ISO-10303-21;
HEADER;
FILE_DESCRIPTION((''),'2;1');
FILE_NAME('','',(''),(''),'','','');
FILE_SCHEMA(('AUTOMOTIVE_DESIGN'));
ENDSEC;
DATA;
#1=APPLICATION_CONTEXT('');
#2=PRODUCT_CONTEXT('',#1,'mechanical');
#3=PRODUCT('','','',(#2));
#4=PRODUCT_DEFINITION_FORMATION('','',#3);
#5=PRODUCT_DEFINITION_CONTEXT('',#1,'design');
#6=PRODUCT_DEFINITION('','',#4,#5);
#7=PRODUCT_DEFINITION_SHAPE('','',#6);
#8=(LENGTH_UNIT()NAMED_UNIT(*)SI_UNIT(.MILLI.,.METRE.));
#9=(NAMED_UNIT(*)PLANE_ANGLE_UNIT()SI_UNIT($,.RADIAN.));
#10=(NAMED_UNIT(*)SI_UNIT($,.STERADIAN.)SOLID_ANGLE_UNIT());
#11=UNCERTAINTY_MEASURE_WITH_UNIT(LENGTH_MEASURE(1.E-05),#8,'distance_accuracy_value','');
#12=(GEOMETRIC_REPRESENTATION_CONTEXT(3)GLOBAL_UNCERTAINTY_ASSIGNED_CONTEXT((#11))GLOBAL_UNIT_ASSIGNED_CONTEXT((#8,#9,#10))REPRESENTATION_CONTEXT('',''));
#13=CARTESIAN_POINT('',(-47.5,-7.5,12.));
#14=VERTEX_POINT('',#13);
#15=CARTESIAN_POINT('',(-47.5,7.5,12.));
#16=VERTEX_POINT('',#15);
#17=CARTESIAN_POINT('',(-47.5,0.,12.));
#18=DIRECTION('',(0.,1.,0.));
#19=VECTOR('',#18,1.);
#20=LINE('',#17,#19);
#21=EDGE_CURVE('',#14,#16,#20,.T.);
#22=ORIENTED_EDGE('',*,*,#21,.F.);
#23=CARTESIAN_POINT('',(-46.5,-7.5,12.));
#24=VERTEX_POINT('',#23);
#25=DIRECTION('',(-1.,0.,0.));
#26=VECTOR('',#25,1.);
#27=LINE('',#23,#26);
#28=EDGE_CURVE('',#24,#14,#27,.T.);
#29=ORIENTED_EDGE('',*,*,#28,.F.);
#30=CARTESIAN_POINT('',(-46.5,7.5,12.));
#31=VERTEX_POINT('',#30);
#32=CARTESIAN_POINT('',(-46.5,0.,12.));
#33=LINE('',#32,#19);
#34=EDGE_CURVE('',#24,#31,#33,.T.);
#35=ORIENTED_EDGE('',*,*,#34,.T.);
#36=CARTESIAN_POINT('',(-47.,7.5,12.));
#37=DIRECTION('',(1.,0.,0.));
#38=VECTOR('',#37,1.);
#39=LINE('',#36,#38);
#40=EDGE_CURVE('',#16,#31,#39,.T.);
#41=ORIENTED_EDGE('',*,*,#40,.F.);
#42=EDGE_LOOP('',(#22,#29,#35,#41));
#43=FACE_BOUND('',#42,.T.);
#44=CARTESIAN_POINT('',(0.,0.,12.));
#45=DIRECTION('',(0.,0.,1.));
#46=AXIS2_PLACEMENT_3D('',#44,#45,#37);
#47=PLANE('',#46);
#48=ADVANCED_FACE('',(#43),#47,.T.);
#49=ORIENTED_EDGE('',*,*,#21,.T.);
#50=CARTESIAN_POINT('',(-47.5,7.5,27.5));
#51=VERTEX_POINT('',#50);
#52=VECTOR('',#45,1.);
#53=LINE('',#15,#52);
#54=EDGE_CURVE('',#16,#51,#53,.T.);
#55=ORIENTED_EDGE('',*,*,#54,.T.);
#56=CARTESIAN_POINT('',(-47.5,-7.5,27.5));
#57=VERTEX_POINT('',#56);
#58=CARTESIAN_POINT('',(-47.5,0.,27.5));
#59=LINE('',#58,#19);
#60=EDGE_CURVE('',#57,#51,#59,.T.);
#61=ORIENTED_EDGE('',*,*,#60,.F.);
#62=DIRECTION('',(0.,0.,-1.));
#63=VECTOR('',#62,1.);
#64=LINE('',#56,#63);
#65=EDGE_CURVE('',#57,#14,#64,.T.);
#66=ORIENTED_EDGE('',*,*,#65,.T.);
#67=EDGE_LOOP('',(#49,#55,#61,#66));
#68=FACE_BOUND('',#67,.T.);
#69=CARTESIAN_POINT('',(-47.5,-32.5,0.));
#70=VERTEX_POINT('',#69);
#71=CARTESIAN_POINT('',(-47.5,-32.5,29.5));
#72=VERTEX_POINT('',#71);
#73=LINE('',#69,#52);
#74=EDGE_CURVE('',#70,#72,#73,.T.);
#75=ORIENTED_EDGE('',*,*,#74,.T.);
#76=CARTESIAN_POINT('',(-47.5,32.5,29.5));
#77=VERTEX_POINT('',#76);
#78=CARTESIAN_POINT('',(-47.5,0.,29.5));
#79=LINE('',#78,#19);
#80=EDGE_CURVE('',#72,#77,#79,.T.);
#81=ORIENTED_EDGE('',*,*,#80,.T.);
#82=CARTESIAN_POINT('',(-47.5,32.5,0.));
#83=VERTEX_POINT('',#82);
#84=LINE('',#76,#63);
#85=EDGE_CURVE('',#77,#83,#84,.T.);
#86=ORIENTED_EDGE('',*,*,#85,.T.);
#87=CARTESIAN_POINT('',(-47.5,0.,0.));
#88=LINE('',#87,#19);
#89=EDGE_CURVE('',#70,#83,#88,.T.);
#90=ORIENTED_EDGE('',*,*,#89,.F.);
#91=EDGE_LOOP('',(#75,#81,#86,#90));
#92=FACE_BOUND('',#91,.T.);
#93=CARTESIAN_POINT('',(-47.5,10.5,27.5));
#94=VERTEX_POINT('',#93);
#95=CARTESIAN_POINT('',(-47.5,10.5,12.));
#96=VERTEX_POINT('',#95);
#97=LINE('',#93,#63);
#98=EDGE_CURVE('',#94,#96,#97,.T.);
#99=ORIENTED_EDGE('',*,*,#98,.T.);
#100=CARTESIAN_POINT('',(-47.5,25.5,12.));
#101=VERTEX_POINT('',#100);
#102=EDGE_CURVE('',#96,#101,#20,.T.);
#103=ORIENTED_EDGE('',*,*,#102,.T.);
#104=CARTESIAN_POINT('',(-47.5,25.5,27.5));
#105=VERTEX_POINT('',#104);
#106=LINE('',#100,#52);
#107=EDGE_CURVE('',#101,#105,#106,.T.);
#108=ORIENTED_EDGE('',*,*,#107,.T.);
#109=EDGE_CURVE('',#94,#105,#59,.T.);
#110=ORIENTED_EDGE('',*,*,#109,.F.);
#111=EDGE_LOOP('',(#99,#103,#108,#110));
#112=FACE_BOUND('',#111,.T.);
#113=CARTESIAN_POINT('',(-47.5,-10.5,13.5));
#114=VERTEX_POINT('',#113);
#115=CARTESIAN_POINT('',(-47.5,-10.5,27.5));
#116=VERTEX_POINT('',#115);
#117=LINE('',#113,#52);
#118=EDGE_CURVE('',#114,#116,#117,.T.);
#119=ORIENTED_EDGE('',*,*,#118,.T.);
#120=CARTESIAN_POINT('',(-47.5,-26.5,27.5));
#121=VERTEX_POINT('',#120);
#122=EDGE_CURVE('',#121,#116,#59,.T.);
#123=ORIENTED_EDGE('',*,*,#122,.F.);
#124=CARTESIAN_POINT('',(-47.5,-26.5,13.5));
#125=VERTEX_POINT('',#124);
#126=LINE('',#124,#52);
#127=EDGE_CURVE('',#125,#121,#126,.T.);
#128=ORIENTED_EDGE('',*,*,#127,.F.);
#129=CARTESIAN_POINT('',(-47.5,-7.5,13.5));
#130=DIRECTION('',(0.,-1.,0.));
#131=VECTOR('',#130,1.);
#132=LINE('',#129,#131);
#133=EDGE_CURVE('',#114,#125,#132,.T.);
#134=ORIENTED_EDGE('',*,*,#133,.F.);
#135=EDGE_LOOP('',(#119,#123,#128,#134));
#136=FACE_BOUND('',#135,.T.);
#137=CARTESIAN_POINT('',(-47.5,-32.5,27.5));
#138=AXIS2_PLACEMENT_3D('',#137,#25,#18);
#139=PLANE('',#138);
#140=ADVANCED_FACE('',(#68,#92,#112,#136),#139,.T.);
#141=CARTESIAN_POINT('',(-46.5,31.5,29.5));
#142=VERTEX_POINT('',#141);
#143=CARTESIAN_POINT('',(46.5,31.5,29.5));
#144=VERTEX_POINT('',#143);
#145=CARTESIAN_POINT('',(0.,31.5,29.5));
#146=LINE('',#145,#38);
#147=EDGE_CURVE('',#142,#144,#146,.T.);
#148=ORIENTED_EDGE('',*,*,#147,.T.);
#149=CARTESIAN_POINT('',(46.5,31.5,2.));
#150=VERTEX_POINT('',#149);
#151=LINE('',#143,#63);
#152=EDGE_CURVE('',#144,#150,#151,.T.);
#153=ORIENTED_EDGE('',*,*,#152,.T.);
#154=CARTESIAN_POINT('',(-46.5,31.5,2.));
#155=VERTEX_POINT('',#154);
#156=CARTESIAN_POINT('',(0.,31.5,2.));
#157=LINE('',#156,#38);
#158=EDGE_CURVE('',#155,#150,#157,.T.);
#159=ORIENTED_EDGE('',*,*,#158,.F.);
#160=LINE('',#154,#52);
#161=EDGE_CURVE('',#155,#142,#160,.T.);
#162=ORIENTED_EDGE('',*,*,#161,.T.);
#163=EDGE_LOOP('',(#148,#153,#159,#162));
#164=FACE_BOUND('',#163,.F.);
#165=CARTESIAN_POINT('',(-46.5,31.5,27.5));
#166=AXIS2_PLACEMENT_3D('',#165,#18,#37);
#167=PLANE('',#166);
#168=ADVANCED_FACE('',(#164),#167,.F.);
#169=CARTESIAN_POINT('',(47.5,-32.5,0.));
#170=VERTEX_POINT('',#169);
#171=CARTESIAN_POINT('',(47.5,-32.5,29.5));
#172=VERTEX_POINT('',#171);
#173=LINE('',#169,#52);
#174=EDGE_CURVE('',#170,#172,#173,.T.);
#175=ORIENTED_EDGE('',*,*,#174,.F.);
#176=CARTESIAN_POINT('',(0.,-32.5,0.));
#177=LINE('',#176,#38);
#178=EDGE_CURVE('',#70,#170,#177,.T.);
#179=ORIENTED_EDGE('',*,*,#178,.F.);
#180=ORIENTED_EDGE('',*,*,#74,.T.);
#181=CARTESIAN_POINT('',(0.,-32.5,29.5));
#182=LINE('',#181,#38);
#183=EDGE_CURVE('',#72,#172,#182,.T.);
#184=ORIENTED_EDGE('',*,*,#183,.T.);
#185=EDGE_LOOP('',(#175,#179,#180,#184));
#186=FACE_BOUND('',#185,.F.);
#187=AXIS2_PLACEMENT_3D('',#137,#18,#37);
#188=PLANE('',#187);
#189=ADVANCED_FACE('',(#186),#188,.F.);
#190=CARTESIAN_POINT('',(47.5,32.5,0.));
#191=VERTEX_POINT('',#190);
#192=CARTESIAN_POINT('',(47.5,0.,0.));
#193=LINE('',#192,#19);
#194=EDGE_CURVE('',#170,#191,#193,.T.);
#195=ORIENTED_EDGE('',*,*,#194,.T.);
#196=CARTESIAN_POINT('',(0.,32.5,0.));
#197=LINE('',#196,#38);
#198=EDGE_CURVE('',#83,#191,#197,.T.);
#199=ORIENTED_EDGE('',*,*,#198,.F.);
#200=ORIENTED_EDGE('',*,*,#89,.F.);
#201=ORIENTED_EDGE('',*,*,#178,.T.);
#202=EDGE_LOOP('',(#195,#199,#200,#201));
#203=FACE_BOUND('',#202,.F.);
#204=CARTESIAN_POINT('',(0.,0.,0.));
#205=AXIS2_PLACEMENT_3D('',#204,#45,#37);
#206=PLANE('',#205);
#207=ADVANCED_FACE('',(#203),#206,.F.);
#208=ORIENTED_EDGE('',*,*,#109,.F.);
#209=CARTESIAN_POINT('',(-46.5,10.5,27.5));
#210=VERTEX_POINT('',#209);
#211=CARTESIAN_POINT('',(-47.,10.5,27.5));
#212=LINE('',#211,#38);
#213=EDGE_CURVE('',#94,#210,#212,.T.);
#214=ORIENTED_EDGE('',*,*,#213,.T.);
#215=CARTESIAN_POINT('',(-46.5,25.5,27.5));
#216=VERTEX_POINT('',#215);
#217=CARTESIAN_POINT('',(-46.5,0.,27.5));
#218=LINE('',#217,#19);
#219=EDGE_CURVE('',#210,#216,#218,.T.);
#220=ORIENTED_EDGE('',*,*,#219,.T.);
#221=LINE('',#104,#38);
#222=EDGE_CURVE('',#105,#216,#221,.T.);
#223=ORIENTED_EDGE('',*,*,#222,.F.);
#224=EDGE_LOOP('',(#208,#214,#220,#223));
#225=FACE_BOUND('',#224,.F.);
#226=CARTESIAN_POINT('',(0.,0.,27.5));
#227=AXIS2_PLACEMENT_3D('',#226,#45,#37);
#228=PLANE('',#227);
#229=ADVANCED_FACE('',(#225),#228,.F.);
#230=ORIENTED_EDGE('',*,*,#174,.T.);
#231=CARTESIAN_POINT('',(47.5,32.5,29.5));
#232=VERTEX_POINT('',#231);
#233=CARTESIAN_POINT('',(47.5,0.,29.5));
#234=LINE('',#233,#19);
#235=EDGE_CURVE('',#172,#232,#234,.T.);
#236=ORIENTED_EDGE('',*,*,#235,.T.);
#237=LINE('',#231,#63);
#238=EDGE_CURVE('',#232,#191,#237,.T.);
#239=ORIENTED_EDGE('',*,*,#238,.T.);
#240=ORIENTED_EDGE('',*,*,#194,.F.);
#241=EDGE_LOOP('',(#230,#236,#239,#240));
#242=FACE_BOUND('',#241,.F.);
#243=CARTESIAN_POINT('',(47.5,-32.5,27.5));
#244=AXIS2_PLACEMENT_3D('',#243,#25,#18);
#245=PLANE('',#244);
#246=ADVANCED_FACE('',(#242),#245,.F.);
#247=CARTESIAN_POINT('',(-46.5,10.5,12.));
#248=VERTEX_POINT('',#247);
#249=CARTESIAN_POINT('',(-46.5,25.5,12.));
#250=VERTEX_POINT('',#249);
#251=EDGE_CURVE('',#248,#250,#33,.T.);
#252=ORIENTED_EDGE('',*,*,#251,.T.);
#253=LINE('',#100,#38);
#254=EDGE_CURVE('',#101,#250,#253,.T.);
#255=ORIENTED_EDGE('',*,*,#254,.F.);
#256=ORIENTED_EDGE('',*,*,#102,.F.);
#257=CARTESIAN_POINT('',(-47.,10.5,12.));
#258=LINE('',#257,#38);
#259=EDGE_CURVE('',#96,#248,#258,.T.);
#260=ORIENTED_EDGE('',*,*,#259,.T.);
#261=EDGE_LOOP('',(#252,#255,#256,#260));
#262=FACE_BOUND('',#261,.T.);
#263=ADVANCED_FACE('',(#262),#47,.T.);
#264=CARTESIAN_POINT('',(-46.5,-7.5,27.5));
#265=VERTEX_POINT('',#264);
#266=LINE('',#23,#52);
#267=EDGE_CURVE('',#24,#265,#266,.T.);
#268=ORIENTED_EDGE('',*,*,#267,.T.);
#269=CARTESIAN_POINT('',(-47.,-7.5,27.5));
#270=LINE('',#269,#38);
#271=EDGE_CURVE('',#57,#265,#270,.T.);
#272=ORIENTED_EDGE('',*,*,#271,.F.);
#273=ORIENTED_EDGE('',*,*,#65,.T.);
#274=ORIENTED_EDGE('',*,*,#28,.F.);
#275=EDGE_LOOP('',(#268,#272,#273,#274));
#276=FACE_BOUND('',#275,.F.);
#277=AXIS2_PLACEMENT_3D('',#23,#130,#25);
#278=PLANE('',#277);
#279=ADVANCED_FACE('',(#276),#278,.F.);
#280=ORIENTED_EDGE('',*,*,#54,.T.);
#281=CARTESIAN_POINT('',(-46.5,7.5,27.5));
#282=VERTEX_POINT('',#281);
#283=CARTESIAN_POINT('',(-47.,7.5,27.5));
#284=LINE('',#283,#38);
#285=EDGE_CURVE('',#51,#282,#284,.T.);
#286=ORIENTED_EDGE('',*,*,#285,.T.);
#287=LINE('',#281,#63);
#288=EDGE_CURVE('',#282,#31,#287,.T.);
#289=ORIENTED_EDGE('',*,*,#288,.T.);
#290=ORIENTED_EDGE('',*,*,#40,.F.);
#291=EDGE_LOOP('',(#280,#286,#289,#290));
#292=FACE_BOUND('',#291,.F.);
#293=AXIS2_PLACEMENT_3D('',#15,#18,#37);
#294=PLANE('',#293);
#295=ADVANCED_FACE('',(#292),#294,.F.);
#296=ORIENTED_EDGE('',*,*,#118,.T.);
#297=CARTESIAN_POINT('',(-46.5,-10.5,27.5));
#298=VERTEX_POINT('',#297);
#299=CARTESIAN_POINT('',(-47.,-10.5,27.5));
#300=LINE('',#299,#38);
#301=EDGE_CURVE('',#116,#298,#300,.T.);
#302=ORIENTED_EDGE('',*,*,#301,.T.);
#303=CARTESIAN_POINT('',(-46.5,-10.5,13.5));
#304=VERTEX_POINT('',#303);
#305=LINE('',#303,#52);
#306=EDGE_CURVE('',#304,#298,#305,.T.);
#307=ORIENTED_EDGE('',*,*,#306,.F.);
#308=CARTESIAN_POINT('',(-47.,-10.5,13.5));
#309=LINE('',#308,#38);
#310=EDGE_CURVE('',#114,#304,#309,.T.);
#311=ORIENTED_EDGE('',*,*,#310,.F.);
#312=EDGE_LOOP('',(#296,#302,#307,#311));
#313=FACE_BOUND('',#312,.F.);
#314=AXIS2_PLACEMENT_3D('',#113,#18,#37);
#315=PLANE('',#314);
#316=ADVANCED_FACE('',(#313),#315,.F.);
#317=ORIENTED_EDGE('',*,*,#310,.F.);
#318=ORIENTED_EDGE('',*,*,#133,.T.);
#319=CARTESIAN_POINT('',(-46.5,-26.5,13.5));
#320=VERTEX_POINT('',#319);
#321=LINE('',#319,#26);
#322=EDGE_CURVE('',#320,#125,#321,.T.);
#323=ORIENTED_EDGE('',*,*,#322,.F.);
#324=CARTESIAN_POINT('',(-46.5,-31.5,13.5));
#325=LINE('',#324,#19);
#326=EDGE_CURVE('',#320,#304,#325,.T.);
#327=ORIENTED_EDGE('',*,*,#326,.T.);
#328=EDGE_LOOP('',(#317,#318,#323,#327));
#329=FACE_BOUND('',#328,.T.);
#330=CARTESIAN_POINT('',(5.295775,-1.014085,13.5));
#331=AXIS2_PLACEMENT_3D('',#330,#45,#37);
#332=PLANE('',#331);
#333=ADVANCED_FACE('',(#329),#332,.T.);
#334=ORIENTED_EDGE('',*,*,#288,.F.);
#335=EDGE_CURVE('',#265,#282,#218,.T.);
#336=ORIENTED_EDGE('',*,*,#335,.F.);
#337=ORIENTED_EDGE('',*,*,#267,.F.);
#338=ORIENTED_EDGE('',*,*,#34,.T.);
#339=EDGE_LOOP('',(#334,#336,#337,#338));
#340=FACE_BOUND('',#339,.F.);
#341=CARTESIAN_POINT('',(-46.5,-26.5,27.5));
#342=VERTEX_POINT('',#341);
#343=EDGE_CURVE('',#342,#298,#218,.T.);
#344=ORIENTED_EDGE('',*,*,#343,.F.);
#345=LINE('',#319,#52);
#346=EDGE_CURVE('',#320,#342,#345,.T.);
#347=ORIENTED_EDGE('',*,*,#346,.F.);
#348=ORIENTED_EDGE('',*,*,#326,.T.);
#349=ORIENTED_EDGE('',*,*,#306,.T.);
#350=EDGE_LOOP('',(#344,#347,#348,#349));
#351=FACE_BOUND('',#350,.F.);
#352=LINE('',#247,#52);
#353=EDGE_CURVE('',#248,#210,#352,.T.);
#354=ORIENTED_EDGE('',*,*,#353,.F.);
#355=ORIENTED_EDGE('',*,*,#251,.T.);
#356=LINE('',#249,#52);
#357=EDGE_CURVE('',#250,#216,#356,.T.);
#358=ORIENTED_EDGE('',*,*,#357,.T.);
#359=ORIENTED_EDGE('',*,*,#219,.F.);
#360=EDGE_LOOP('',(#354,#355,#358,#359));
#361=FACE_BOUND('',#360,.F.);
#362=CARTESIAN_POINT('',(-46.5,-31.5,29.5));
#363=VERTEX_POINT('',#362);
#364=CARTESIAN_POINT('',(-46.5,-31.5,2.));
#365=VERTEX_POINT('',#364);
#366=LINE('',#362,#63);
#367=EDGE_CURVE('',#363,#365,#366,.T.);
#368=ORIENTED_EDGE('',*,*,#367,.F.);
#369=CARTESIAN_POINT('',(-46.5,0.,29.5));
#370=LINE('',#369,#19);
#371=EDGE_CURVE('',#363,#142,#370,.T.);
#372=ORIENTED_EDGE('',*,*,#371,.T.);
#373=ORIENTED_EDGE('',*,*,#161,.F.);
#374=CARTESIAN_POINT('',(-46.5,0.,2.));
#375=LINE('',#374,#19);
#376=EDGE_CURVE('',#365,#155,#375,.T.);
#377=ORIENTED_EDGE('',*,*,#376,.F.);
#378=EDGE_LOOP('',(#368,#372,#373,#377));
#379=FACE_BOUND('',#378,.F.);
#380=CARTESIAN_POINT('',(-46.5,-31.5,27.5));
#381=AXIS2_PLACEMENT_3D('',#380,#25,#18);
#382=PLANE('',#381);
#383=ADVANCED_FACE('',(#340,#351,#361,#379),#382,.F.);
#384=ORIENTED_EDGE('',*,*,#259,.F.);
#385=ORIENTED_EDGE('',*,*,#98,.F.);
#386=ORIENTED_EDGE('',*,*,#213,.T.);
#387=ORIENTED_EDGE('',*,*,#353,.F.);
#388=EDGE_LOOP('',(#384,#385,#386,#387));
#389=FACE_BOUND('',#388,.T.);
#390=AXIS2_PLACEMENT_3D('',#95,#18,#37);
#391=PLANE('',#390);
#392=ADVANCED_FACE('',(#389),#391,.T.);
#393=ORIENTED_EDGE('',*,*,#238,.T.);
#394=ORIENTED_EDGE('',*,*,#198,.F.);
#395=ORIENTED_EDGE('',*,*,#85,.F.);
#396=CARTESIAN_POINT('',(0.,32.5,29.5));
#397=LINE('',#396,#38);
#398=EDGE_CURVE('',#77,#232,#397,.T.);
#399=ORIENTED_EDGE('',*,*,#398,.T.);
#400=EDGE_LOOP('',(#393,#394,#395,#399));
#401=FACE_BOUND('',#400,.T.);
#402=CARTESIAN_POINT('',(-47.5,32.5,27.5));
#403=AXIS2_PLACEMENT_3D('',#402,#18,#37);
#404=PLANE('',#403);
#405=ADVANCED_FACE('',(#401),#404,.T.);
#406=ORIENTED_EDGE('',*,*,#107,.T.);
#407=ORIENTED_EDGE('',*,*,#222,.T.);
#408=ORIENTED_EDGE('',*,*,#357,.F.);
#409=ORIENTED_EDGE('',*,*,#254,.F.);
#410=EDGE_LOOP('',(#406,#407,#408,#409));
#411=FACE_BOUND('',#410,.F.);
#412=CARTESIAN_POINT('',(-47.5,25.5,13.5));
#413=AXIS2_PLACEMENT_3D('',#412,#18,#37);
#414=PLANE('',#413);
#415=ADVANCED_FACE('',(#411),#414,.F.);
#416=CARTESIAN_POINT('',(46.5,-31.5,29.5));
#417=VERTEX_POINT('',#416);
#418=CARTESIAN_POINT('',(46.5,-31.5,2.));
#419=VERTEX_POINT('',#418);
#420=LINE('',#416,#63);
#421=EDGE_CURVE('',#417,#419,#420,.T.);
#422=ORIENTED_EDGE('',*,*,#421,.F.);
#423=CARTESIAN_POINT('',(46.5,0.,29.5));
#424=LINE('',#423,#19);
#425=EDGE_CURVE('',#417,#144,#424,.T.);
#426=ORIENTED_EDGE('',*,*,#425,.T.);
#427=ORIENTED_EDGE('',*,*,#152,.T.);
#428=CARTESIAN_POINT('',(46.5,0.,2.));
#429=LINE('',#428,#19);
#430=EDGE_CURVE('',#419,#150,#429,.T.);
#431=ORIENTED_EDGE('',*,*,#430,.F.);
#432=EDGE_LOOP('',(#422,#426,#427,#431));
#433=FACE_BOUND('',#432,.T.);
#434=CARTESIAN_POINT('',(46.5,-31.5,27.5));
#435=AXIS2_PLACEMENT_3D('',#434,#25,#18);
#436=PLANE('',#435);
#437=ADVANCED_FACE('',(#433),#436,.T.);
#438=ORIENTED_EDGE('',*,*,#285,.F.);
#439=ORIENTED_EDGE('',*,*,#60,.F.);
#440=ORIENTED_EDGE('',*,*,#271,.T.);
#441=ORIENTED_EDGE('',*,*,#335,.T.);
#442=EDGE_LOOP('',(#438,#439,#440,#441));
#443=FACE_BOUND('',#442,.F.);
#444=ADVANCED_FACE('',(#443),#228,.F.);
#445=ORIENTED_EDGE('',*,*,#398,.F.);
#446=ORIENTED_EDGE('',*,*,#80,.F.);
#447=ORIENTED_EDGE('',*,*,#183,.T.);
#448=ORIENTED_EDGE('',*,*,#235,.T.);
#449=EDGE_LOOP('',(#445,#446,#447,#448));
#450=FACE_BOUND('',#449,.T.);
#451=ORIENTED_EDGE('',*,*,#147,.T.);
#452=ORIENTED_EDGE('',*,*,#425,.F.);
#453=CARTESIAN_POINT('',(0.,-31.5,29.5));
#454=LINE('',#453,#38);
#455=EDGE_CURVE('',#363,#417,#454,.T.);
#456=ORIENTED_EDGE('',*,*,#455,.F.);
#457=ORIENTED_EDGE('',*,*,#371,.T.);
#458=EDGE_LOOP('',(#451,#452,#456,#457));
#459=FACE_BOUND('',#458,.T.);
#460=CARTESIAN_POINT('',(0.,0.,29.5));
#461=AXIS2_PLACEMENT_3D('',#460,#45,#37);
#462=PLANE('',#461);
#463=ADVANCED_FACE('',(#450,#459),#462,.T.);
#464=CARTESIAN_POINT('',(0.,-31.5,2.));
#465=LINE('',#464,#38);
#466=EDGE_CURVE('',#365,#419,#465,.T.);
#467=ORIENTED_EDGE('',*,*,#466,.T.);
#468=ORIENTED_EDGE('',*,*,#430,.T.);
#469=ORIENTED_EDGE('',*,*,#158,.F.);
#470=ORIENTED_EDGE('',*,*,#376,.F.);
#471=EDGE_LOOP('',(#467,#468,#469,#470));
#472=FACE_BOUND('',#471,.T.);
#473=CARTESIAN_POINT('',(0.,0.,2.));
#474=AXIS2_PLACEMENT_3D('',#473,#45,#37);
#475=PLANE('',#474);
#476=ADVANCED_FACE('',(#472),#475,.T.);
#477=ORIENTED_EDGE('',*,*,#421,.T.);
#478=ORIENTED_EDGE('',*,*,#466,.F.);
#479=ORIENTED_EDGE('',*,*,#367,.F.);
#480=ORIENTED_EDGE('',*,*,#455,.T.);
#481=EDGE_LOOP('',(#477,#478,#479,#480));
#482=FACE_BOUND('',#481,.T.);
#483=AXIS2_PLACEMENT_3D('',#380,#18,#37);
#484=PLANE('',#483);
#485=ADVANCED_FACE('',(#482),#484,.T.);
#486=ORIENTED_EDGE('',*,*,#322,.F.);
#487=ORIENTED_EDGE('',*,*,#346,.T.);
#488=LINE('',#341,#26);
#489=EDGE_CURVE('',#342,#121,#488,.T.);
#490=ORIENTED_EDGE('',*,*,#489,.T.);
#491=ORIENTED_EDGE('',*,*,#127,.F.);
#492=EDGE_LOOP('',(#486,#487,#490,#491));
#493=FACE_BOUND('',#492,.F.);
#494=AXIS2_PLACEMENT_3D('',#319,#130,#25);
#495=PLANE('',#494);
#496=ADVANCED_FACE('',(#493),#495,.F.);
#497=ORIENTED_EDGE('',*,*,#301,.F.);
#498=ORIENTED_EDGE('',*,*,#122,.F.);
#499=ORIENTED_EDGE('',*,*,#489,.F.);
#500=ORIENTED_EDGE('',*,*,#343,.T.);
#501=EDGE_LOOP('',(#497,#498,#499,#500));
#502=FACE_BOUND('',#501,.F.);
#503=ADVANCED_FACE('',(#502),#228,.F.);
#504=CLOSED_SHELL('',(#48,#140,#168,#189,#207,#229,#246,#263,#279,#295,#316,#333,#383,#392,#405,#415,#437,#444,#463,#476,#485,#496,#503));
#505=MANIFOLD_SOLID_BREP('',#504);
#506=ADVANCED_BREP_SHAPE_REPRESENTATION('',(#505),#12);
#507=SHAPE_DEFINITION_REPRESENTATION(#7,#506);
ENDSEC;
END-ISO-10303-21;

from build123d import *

# Parameters (mm, degrees)
F0_W     = 95
F0_H     = 65
F0_W_2   = 93
F0_H_2   = 63
F1_DEPTH = 12
F2_DEPTH = 2
F3_W     = 1
F3_H     = 3
F4_DEPTH = 1.5
F5_W     = 1
F5_H     = 3
F6_DEPTH = 14
F7_W     = 95
F7_H     = 65
F7_W_2   = 93
F7_H_2   = 63
F8_DEPTH = 2


with BuildPart() as f1:
    # F0 (on Top) → F1 (new body)
    with BuildSketch(Plane.XY):
        Rectangle(F0_W, F0_H)
        Rectangle(F0_W_2, F0_H_2, mode=Mode.SUBTRACT)
    extrude(amount=F1_DEPTH)

    # F0 (on Top) → F2 (join)
    with BuildSketch(Plane.XY):
        Rectangle(F0_W_2, F0_H_2)
    extrude(amount=F2_DEPTH)

    # F3 (on face) → F4 (join)
    with BuildSketch(Plane.XY.offset(12)):
        Polygon((47.5, 32.5), (-47.5, 32.5), (-47.5, 25.5), (-46.5, 25.5), (-46.5, 31.5), (46.5, 31.5), (46.5, -31.5), (-46.5, -31.5), (-46.5, -7.5), (-47.5, -7.5), (-47.5, -32.5), (47.5, -32.5), align=None)
        with Locations((-47, 9)):
            Rectangle(F3_W, F3_H)
    extrude(amount=F4_DEPTH)

    # F5 (on face) → F6 (join)
    with BuildSketch(Plane.XY.offset(13.5)):
        Polygon((47.5, -32.5), (47.5, 32.5), (-47.5, 32.5), (-47.5, 25.5), (-46.5, 25.5), (-46.5, 31.5), (46.5, 31.5), (46.5, -31.5), (-46.5, -31.5), (-46.5, -26.5), (-47.5, -26.5), (-47.5, -32.5), align=None)
        with Locations((-47, -9)):
            Rectangle(F5_W, F5_H)
        with Locations((-47, 9)):
            Rectangle(F5_W, F5_H)
    extrude(amount=F6_DEPTH)

    # F7 (on face) → F8 (join)
    with BuildSketch(Plane.XY.offset(27.5)):
        Rectangle(F7_W, F7_H)
        Rectangle(F7_W_2, F7_H_2, mode=Mode.SUBTRACT)
    extrude(amount=F8_DEPTH)


solid = f1.part
